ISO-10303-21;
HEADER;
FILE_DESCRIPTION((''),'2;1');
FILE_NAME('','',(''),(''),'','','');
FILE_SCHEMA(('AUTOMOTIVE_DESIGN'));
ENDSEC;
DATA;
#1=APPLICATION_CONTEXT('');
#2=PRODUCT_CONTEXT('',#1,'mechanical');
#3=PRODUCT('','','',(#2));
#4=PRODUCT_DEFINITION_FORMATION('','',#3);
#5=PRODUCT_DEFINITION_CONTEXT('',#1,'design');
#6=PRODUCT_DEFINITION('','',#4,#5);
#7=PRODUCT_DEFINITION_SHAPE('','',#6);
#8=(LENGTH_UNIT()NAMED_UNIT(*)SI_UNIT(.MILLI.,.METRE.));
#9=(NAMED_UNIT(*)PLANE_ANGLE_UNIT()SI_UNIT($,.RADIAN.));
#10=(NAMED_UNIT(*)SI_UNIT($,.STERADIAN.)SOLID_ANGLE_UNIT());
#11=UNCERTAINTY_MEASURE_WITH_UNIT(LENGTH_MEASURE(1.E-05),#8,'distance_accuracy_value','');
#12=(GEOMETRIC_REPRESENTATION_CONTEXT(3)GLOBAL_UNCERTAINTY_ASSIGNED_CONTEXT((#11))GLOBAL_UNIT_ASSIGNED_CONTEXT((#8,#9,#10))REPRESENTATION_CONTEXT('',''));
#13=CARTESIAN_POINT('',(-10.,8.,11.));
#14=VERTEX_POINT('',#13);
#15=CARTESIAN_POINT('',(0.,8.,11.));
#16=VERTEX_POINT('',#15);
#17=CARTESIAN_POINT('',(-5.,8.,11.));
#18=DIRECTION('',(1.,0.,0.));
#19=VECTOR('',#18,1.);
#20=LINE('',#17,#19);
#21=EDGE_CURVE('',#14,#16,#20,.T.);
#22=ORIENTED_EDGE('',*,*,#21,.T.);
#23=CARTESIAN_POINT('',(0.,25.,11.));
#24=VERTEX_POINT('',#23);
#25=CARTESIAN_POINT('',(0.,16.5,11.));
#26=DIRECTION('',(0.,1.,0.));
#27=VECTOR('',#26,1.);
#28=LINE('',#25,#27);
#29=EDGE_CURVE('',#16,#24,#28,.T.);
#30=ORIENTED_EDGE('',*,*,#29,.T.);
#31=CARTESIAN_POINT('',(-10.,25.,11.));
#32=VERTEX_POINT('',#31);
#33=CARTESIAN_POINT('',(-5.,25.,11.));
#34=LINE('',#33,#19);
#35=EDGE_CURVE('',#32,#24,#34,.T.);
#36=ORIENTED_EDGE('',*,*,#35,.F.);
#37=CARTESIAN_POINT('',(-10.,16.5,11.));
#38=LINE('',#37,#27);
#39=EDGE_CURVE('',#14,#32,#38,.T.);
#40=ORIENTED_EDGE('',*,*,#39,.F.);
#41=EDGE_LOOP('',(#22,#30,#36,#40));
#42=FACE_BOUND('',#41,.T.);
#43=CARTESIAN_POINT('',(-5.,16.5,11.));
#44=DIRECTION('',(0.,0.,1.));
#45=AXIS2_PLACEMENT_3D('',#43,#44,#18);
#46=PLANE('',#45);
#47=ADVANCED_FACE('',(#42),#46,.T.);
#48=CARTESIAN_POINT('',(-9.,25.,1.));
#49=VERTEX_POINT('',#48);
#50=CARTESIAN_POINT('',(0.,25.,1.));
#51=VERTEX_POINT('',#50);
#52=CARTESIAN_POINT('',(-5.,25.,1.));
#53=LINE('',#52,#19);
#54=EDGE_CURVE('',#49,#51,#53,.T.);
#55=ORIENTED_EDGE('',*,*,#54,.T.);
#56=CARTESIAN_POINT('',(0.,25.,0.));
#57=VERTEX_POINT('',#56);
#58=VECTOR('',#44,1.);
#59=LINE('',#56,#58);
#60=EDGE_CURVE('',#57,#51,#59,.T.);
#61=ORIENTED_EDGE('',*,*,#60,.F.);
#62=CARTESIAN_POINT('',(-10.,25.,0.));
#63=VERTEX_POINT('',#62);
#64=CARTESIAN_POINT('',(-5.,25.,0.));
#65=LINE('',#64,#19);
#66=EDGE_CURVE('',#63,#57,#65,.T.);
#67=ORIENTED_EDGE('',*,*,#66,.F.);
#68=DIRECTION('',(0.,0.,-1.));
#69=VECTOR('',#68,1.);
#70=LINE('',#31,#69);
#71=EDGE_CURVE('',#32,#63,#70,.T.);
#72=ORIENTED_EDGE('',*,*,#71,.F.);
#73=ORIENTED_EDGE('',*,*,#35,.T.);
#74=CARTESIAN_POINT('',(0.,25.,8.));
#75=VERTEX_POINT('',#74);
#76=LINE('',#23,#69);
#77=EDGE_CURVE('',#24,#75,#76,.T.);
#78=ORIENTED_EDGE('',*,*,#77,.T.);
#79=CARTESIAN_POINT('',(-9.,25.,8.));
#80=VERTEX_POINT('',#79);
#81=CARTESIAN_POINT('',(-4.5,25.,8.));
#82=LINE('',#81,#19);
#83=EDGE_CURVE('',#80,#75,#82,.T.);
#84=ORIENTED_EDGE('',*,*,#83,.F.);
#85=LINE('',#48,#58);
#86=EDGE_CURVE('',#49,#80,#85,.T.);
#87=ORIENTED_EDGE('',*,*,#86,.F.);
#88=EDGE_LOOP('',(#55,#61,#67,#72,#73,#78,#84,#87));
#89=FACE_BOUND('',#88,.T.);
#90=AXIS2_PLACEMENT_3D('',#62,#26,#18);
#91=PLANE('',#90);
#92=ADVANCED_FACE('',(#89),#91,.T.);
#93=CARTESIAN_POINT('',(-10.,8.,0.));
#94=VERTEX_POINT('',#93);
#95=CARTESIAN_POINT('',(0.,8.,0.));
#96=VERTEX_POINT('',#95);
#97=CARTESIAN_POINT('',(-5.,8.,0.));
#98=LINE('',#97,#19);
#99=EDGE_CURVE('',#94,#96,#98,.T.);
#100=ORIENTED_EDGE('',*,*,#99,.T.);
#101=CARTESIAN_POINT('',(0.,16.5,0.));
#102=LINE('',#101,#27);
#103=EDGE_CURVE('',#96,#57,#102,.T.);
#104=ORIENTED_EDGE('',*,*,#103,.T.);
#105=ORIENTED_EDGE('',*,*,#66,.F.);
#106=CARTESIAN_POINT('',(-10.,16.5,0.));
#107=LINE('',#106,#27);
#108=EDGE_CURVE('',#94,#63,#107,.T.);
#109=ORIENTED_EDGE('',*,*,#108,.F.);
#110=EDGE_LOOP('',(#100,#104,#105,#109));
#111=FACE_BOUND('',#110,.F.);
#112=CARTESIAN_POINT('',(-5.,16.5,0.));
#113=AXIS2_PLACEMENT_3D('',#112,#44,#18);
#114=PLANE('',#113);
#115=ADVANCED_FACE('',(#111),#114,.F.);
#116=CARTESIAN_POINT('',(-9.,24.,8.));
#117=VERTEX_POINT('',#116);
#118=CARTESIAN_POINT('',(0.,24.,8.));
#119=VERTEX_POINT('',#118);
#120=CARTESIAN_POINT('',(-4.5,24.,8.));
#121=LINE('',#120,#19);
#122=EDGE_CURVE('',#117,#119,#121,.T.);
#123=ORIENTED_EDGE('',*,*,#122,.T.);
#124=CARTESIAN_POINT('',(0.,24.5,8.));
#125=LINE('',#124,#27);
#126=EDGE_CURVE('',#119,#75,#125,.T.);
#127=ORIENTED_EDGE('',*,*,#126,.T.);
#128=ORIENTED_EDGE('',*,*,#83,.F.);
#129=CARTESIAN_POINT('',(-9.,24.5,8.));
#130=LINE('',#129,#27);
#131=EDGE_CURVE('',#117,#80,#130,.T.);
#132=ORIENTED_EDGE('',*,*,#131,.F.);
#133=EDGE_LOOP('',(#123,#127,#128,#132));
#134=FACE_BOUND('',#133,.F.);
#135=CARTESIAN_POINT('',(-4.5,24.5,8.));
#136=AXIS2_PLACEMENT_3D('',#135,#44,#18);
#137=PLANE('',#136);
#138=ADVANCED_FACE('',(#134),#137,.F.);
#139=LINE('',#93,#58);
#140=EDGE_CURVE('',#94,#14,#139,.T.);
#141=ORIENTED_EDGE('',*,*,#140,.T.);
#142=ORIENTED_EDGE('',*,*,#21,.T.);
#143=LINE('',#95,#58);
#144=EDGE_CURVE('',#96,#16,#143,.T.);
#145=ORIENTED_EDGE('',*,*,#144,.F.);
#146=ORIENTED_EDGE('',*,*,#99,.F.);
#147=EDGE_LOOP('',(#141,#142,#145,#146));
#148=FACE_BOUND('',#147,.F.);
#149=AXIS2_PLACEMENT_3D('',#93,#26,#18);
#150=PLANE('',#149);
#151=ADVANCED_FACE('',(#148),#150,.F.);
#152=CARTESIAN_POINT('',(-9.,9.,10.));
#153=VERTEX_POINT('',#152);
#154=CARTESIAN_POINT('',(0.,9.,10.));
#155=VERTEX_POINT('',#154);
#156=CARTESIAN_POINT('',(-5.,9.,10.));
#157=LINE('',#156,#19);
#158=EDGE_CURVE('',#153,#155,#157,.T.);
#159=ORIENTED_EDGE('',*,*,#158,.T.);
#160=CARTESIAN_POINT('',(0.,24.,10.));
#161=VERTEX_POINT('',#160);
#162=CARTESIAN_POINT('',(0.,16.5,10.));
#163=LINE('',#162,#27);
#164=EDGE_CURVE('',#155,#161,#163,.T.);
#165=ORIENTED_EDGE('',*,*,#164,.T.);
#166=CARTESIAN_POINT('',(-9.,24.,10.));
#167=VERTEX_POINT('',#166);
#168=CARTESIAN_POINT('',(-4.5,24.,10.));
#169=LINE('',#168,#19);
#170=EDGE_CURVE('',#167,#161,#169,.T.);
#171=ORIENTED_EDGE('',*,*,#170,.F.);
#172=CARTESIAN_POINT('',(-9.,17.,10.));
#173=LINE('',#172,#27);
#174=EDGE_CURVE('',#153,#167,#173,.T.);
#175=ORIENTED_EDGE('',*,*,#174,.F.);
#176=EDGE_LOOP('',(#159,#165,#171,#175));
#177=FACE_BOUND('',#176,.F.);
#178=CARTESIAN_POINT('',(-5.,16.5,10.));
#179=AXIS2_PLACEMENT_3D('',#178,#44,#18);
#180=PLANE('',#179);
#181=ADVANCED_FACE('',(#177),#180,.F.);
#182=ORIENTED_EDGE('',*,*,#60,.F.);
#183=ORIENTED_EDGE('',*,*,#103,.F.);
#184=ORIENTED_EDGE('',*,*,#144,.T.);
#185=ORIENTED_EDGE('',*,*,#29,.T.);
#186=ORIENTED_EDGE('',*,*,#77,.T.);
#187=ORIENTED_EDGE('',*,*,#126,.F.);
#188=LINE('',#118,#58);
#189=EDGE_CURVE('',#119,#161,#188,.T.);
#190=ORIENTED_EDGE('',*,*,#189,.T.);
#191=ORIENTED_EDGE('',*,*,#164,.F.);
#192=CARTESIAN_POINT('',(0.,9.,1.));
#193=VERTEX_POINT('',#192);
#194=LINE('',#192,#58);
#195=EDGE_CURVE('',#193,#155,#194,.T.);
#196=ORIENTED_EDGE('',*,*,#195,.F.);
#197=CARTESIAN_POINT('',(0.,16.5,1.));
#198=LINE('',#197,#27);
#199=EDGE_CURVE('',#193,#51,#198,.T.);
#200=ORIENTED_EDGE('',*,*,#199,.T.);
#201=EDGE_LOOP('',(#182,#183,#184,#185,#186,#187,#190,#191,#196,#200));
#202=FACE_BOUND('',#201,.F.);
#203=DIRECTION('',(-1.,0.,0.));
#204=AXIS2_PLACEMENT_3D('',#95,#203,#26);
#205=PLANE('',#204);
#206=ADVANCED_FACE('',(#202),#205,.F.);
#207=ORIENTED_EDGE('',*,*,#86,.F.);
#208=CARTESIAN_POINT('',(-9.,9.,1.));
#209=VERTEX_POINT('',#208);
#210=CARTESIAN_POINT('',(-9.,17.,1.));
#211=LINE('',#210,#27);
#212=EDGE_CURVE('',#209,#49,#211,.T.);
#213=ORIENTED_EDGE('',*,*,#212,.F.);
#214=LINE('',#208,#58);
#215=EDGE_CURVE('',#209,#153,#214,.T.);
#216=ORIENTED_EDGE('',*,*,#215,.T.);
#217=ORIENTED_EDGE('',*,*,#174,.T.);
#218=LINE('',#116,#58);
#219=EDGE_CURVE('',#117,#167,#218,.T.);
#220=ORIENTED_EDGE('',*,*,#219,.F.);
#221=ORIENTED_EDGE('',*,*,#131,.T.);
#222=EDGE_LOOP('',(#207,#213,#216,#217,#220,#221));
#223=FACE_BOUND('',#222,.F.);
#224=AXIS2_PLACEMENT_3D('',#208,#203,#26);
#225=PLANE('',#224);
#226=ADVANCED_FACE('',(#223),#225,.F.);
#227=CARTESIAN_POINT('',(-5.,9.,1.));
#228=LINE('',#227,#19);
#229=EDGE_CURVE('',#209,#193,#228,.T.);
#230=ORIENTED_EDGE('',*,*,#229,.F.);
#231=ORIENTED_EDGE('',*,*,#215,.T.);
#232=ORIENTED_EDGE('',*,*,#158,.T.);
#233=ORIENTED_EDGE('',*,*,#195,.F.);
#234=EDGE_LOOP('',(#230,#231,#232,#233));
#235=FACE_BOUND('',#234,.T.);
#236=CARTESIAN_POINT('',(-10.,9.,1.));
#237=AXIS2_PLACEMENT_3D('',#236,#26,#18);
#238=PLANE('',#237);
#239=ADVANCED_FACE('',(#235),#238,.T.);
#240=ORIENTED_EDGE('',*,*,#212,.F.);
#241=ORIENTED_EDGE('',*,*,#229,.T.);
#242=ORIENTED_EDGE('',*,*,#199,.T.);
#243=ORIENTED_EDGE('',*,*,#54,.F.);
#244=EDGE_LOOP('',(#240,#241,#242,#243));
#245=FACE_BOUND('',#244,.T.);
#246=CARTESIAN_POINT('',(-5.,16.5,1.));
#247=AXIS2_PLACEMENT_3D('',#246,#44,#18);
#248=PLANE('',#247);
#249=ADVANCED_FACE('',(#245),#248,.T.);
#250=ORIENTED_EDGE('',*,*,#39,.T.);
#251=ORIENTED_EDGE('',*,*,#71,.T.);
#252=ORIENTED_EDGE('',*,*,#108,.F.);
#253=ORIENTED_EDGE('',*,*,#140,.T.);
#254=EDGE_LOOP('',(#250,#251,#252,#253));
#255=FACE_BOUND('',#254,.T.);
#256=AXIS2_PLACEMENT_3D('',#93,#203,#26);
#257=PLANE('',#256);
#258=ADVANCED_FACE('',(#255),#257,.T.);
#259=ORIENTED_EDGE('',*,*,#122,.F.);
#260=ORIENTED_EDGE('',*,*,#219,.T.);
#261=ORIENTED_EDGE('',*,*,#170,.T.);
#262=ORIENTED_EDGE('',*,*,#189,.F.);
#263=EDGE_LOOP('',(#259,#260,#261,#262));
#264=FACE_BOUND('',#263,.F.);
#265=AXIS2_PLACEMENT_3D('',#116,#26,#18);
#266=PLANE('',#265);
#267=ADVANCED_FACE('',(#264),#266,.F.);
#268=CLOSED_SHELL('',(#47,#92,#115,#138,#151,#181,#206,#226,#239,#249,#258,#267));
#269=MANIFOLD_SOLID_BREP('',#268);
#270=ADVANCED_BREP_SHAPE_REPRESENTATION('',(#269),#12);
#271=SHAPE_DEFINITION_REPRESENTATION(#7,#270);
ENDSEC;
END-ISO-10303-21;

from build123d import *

# Parameters (mm, degrees)
BOX052_W     = 10
BOX052_H     = 17
BOX052_DEPTH = 1
BOX024_W     = 9
BOX024_H     = 1
BOX024_DEPTH = 2
BOX022_W     = 1
BOX022_H     = 16
BOX022_DEPTH = 9
BOX021_W     = 10
BOX021_H     = 1
BOX021_DEPTH = 9
BOX025_W     = 10
BOX025_H     = 17
BOX025_DEPTH = 1


with BuildPart() as box052:
    # Box052 → Box052 (new body)
    with BuildSketch(Plane(origin=(-10, 8, 0), x_dir=(1, 0, 0), z_dir=(0, 0, 1))):
        with Locations((5, 8.5)):
            Rectangle(BOX052_W, BOX052_H)
    extrude(amount=BOX052_DEPTH)


with BuildPart() as box024:
    # Box024 → Box024 (new body)
    with BuildSketch(Plane(origin=(-9, 24, 7), x_dir=(1, 0, 0), z_dir=(0, 0, 1))):
        with Locations((4.5, 0.5)):
            Rectangle(BOX024_W, BOX024_H)
    extrude(amount=BOX024_DEPTH)


with BuildPart() as box022:
    # Box022 → Box022 (new body)
    with BuildSketch(Plane(origin=(-10, 9, 0), x_dir=(1, 0, 0), z_dir=(0, 0, 1))):
        with Locations((0.5, 8)):
            Rectangle(BOX022_W, BOX022_H)
    extrude(amount=BOX022_DEPTH)


with BuildPart() as box021:
    # Box021 → Box021 (new body)
    with BuildSketch(Plane(origin=(-10, 8, 0), x_dir=(1, 0, 0), z_dir=(0, 0, 1))):
        with Locations((5, 0.5)):
            Rectangle(BOX021_W, BOX021_H)
    extrude(amount=BOX021_DEPTH)


with BuildPart() as fusion024:
    # Box025 → Box025 (new body)
    with BuildSketch(Plane(origin=(-10, 8, 9), x_dir=(1, 0, 0), z_dir=(0, 0, 1))):
        with Locations((5, 8.5)):
            Rectangle(BOX025_W, BOX025_H)
    extrude(amount=BOX025_DEPTH)

    # Fusion010: union Box024, Box022, Box021
    add(box024.part)
    add(box022.part)
    add(box021.part)


with BuildPart() as fusion024_1:
    # Fusion010 placement: moved
    add(fusion024.part.moved(Location((0, 0, 1))))

    # Fusion024: union Box052
    add(box052.part)


solid = fusion024_1.part
